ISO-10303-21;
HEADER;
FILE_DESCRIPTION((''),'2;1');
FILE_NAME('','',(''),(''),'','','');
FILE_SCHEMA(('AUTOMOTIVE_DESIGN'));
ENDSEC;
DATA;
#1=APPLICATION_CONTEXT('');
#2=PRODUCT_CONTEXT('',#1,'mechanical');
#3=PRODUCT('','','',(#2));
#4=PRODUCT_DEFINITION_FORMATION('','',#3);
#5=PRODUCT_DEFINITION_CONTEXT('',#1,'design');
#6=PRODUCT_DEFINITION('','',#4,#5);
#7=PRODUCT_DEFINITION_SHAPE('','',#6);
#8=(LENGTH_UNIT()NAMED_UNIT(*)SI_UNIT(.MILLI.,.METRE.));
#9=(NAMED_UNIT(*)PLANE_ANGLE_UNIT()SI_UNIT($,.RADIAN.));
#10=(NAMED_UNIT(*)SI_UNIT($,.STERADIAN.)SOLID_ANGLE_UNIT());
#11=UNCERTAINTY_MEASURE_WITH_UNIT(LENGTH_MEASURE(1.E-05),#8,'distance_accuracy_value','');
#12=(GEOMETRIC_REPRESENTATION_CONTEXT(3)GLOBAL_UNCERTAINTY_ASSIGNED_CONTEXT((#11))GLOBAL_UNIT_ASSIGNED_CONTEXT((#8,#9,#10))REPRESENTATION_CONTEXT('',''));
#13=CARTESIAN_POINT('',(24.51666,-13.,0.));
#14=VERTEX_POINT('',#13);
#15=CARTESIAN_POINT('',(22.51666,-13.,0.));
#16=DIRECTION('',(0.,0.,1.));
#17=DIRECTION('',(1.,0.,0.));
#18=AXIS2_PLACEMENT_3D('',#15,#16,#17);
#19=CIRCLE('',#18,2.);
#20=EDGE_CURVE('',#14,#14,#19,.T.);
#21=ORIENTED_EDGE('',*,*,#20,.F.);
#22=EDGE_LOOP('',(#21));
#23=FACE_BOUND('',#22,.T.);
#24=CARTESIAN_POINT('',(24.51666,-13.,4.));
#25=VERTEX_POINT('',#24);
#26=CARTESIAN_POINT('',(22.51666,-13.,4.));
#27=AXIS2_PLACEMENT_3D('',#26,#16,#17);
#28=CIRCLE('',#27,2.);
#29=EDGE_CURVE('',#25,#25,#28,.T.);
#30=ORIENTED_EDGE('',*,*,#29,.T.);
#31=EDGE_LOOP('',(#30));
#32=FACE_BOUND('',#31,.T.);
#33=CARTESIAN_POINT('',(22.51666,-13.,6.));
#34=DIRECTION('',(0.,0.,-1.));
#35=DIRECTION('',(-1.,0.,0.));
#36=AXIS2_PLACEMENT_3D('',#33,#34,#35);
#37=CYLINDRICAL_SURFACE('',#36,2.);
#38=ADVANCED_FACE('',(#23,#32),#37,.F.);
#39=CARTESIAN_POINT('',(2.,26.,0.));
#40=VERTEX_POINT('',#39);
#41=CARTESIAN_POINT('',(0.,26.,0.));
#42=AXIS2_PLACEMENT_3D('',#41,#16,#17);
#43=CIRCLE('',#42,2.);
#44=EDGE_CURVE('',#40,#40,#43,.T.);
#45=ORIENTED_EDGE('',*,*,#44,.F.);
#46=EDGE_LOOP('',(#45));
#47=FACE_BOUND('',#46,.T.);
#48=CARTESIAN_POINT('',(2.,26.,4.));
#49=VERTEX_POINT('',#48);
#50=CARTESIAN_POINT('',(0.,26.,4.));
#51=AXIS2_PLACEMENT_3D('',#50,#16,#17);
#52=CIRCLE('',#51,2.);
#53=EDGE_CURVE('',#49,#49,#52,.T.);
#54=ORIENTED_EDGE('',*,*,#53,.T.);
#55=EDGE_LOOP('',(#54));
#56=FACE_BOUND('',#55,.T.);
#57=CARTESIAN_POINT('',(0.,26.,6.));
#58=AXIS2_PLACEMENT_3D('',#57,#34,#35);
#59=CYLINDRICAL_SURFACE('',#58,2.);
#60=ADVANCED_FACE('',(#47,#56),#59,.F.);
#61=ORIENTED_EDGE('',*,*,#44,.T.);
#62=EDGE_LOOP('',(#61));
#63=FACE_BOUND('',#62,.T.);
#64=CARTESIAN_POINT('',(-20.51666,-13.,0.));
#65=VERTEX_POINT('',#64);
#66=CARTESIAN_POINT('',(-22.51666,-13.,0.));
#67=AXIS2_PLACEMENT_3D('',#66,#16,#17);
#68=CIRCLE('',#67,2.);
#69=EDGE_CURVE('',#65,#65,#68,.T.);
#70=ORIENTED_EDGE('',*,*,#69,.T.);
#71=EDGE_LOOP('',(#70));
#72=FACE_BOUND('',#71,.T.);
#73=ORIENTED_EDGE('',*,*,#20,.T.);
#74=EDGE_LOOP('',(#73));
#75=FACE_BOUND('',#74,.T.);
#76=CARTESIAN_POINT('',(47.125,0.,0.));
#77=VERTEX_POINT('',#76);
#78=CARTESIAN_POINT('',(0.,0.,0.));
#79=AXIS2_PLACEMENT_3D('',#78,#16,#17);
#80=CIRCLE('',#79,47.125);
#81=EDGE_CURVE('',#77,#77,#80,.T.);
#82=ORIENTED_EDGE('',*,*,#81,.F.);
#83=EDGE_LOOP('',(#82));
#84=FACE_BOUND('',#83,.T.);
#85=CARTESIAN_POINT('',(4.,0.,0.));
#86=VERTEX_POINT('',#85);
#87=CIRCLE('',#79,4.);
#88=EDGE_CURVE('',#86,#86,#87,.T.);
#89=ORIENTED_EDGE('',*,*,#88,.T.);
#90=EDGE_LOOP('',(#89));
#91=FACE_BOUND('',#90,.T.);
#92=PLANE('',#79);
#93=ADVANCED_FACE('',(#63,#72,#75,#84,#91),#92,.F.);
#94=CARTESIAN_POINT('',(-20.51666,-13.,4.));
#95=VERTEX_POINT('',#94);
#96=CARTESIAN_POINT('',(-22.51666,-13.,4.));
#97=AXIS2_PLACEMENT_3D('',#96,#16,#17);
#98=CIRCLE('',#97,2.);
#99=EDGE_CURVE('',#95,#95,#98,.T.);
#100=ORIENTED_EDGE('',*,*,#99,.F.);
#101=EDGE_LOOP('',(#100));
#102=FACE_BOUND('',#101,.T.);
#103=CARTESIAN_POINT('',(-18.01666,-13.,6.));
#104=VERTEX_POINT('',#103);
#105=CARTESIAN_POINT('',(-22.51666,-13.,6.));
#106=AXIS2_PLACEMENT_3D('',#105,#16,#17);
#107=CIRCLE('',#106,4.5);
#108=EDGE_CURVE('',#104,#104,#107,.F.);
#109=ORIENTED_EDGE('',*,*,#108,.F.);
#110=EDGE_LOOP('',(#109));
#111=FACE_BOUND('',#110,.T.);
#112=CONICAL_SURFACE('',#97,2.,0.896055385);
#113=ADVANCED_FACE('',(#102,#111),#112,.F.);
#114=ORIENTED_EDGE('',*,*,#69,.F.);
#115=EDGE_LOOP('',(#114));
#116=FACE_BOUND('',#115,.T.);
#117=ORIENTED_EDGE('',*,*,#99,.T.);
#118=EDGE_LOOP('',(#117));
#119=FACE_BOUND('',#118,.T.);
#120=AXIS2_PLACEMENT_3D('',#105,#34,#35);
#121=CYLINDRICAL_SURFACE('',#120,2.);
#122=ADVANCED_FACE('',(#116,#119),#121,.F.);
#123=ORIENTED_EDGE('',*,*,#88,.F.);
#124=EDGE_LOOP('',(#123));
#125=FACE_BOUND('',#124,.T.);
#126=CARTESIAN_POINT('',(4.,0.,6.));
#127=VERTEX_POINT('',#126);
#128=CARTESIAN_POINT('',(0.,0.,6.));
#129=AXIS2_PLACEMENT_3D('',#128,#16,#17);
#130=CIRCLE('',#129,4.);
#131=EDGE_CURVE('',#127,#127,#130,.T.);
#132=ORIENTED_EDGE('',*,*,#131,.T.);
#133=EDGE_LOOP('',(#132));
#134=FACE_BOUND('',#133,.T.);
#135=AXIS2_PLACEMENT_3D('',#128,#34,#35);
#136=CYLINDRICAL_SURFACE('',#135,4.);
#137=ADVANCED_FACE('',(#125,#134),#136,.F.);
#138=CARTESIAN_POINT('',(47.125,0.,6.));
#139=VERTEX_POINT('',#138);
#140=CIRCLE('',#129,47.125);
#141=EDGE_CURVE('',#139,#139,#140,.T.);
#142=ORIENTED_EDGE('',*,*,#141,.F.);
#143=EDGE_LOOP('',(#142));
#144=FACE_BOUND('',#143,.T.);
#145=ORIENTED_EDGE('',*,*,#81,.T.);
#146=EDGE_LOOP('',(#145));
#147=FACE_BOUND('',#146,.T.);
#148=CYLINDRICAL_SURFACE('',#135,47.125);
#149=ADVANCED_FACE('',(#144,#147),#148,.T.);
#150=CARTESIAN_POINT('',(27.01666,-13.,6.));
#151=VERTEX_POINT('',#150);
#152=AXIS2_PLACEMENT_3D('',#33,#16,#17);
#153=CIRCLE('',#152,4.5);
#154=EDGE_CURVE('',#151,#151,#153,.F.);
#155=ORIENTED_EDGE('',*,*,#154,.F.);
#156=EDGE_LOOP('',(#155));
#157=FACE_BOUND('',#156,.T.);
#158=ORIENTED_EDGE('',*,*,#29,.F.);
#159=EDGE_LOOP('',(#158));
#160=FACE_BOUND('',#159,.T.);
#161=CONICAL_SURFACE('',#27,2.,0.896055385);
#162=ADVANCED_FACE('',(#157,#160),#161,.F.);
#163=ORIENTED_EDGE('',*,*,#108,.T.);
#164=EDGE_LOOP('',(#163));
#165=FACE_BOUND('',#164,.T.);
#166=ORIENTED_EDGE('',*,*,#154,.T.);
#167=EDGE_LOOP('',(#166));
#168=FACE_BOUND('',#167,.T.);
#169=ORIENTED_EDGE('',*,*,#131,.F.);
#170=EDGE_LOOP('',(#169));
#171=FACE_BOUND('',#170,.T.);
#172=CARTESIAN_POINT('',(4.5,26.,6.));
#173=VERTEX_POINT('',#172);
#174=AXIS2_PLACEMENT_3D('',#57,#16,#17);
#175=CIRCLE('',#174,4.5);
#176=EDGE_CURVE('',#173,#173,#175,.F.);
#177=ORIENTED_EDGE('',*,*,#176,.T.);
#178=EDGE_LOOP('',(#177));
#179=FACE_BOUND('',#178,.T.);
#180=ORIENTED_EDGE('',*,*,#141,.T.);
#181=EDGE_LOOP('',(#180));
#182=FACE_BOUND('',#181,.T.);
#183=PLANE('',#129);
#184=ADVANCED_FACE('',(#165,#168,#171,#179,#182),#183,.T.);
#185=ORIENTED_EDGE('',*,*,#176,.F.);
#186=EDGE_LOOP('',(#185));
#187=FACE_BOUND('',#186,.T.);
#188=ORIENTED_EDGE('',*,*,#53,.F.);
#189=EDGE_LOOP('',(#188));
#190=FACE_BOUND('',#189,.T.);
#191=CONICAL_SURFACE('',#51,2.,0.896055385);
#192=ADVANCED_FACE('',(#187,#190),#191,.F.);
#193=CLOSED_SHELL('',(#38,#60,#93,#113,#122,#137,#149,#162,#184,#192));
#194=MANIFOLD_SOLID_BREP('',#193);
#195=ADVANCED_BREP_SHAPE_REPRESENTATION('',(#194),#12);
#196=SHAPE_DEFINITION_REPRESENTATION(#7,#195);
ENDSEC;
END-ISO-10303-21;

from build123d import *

# Parameters (mm, degrees)
SKETCH3_R           = 47.125
SKETCH3_R_2         = 4
SKETCH3_R_3         = 2
BOSS_EXTRUDE1_DEPTH = 6
CHAMFER1_SIZE       = 2.5
CHAMFER1_SIZE2      = 2


with BuildPart() as part:
    # Sketch3 → Boss-Extrude1 (new body)
    with BuildSketch(Plane(origin=(0, 0, 0), x_dir=(0, 1, 0), z_dir=(0, 0, 1))):
        with Locations(Location((0, 0, 0), (0, 0, 270))):
            Circle(SKETCH3_R)
        with Locations(Location((0, 0, 0), (0, 0, 270))):
            Circle(SKETCH3_R_2, mode=Mode.SUBTRACT)
        with Locations(Location((26, 0, 0), (0, 0, 270))):
            Circle(SKETCH3_R_3, mode=Mode.SUBTRACT)
        with Locations(Location((-13, -22.516660498, 0), (0, 0, 270))):
            Circle(SKETCH3_R_3, mode=Mode.SUBTRACT)
        with Locations(Location((-13, 22.516660498, 0), (0, 0, 270))):
            Circle(SKETCH3_R_3, mode=Mode.SUBTRACT)
    extrude(amount=BOSS_EXTRUDE1_DEPTH)

    # Chamfer1
    chamfer1_edges = [part.edges().sort_by_distance(p)[0] for p in [
        (20.516660498, -13, 6),
        (-24.516660498, -13, 6),
        (-2, 26, 6),
    ]]
    chamfer1_side = [part.faces().sort_by_distance(p)[0] for p in [
        (-45.792103717, 0, 6),
    ]]
    chamfer(chamfer1_edges, length=CHAMFER1_SIZE, length2=CHAMFER1_SIZE2, reference=chamfer1_side[0])


solid = part.part
